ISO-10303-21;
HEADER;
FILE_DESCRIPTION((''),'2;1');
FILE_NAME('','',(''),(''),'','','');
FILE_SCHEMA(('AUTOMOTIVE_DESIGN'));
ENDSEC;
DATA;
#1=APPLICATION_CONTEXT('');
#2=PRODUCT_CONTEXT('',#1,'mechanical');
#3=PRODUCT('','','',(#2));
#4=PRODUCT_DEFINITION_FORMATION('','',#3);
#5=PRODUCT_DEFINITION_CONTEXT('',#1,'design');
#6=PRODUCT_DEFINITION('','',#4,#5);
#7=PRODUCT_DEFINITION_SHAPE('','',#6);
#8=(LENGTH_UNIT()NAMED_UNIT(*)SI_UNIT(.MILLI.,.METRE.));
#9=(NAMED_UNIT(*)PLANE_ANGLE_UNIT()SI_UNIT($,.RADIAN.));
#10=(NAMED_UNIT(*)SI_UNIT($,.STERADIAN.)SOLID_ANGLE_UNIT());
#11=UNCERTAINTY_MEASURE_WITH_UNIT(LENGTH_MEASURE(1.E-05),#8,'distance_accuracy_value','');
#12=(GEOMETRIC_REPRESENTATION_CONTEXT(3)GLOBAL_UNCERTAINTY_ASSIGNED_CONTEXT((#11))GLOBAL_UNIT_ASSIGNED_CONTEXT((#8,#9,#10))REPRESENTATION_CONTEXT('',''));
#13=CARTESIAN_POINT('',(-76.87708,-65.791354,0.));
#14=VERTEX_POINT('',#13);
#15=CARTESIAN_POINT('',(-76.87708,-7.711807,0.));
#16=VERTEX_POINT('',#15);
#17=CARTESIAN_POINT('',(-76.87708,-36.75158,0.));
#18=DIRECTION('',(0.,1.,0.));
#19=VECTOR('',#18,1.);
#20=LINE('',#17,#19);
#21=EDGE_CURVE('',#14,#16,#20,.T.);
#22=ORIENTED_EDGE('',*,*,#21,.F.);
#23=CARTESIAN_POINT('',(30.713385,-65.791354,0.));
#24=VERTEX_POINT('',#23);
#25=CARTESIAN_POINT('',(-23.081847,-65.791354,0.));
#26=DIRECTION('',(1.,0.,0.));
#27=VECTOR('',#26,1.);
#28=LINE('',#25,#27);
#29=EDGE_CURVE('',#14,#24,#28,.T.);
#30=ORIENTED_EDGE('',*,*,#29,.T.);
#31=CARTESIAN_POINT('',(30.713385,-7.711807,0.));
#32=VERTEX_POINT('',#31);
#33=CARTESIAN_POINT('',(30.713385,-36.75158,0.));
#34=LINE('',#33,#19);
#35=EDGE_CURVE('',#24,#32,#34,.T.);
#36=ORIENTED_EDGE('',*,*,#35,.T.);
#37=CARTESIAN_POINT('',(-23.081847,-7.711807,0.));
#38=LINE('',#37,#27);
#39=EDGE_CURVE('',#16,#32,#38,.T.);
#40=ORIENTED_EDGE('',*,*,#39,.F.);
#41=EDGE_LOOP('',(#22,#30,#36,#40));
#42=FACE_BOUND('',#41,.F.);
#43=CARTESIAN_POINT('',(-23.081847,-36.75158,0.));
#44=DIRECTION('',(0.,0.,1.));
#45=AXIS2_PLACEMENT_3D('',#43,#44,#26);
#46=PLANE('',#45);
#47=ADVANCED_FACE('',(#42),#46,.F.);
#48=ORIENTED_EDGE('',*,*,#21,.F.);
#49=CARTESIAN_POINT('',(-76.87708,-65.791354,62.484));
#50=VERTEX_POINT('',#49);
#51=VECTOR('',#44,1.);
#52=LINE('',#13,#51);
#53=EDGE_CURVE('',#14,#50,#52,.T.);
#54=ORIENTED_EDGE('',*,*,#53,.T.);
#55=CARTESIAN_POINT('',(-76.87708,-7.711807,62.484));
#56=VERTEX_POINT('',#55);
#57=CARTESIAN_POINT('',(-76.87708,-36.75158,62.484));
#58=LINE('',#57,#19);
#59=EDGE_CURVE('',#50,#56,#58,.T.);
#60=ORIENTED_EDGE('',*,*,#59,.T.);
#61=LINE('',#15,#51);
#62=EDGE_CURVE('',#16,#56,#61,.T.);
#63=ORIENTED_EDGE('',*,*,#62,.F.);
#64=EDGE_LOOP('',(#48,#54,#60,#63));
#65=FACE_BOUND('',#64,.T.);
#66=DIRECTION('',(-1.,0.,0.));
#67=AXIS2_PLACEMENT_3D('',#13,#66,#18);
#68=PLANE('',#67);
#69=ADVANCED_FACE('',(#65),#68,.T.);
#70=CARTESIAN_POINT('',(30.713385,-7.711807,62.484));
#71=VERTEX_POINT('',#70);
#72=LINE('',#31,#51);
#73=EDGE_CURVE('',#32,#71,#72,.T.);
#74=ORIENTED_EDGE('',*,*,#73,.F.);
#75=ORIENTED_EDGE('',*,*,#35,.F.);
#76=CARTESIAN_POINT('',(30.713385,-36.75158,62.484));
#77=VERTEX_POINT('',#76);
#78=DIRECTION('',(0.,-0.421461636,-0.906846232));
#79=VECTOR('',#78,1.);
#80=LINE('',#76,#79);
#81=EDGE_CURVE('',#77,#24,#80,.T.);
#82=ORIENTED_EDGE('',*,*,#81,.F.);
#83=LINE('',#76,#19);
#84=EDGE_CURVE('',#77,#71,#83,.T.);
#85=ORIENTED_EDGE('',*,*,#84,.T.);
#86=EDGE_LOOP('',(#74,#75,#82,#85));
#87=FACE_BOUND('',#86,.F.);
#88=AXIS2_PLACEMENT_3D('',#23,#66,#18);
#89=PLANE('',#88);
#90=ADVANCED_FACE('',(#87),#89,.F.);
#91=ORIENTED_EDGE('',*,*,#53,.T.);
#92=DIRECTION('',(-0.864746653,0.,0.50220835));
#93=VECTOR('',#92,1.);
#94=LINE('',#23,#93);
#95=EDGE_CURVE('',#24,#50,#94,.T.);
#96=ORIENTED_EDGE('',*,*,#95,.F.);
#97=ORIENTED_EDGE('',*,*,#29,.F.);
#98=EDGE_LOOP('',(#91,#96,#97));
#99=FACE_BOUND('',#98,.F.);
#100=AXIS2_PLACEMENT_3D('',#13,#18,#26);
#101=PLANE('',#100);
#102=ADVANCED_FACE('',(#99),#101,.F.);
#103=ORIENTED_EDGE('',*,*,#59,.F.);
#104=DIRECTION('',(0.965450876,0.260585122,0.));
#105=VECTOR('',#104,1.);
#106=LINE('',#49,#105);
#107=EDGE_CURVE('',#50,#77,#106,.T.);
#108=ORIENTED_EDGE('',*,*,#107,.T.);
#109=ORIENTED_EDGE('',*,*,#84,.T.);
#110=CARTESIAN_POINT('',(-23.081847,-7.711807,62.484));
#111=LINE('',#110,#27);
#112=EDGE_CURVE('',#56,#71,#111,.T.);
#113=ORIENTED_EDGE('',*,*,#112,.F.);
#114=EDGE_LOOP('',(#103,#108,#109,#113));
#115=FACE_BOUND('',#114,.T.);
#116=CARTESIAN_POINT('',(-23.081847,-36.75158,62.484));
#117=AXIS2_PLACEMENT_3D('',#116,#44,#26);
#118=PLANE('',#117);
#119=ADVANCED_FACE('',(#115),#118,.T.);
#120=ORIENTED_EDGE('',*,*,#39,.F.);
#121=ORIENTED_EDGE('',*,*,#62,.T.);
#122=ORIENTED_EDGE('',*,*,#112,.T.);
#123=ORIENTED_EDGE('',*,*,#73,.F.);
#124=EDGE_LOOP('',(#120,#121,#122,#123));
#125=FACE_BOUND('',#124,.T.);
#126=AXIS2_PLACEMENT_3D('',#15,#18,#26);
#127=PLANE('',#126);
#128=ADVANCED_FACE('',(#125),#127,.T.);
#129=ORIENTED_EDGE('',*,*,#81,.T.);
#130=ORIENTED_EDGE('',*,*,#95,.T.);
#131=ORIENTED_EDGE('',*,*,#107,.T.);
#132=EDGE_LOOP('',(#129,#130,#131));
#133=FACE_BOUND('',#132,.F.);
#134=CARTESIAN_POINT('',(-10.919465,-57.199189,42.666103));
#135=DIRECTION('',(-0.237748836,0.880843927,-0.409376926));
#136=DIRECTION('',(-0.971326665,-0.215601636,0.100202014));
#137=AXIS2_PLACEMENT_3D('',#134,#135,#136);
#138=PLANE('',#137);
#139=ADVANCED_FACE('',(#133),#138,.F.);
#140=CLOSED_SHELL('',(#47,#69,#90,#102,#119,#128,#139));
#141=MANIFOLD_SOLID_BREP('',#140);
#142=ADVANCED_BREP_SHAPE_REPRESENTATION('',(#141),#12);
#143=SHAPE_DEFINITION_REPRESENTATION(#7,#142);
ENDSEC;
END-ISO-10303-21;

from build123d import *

# Parameters (mm, degrees)
F0_W     = 107.5904648751
F0_H     = 58.0795463175
F1_DEPTH = 62.484
F5_DEPTH = 25.580507825


with BuildPart() as f1:
    # F0 (on Top) → F1 (new body)
    with BuildSketch(Plane.XY):
        with Locations((-23.0818474665, -36.7515804246)):
            Rectangle(F0_W, F0_H)
    extrude(amount=F1_DEPTH)

    # F4 (on 3pt) → F5 (cut, through all)
    with BuildSketch(Plane(origin=(15.5140591861, -57.4785770814, 26.7134760888), x_dir=(-0.9713266654, -0.2156016365, 0.1002020136), z_dir=(-0.2377488363, 0.8808439269, -0.4093769257))):
        Polygon((-15.6480063064, -27.7285315311), (95.1185037804, 28.9348484531), (-15.6480063064, 41.1739987644), align=None)
    extrude(amount=-F5_DEPTH, mode=Mode.SUBTRACT)


solid = f1.part
